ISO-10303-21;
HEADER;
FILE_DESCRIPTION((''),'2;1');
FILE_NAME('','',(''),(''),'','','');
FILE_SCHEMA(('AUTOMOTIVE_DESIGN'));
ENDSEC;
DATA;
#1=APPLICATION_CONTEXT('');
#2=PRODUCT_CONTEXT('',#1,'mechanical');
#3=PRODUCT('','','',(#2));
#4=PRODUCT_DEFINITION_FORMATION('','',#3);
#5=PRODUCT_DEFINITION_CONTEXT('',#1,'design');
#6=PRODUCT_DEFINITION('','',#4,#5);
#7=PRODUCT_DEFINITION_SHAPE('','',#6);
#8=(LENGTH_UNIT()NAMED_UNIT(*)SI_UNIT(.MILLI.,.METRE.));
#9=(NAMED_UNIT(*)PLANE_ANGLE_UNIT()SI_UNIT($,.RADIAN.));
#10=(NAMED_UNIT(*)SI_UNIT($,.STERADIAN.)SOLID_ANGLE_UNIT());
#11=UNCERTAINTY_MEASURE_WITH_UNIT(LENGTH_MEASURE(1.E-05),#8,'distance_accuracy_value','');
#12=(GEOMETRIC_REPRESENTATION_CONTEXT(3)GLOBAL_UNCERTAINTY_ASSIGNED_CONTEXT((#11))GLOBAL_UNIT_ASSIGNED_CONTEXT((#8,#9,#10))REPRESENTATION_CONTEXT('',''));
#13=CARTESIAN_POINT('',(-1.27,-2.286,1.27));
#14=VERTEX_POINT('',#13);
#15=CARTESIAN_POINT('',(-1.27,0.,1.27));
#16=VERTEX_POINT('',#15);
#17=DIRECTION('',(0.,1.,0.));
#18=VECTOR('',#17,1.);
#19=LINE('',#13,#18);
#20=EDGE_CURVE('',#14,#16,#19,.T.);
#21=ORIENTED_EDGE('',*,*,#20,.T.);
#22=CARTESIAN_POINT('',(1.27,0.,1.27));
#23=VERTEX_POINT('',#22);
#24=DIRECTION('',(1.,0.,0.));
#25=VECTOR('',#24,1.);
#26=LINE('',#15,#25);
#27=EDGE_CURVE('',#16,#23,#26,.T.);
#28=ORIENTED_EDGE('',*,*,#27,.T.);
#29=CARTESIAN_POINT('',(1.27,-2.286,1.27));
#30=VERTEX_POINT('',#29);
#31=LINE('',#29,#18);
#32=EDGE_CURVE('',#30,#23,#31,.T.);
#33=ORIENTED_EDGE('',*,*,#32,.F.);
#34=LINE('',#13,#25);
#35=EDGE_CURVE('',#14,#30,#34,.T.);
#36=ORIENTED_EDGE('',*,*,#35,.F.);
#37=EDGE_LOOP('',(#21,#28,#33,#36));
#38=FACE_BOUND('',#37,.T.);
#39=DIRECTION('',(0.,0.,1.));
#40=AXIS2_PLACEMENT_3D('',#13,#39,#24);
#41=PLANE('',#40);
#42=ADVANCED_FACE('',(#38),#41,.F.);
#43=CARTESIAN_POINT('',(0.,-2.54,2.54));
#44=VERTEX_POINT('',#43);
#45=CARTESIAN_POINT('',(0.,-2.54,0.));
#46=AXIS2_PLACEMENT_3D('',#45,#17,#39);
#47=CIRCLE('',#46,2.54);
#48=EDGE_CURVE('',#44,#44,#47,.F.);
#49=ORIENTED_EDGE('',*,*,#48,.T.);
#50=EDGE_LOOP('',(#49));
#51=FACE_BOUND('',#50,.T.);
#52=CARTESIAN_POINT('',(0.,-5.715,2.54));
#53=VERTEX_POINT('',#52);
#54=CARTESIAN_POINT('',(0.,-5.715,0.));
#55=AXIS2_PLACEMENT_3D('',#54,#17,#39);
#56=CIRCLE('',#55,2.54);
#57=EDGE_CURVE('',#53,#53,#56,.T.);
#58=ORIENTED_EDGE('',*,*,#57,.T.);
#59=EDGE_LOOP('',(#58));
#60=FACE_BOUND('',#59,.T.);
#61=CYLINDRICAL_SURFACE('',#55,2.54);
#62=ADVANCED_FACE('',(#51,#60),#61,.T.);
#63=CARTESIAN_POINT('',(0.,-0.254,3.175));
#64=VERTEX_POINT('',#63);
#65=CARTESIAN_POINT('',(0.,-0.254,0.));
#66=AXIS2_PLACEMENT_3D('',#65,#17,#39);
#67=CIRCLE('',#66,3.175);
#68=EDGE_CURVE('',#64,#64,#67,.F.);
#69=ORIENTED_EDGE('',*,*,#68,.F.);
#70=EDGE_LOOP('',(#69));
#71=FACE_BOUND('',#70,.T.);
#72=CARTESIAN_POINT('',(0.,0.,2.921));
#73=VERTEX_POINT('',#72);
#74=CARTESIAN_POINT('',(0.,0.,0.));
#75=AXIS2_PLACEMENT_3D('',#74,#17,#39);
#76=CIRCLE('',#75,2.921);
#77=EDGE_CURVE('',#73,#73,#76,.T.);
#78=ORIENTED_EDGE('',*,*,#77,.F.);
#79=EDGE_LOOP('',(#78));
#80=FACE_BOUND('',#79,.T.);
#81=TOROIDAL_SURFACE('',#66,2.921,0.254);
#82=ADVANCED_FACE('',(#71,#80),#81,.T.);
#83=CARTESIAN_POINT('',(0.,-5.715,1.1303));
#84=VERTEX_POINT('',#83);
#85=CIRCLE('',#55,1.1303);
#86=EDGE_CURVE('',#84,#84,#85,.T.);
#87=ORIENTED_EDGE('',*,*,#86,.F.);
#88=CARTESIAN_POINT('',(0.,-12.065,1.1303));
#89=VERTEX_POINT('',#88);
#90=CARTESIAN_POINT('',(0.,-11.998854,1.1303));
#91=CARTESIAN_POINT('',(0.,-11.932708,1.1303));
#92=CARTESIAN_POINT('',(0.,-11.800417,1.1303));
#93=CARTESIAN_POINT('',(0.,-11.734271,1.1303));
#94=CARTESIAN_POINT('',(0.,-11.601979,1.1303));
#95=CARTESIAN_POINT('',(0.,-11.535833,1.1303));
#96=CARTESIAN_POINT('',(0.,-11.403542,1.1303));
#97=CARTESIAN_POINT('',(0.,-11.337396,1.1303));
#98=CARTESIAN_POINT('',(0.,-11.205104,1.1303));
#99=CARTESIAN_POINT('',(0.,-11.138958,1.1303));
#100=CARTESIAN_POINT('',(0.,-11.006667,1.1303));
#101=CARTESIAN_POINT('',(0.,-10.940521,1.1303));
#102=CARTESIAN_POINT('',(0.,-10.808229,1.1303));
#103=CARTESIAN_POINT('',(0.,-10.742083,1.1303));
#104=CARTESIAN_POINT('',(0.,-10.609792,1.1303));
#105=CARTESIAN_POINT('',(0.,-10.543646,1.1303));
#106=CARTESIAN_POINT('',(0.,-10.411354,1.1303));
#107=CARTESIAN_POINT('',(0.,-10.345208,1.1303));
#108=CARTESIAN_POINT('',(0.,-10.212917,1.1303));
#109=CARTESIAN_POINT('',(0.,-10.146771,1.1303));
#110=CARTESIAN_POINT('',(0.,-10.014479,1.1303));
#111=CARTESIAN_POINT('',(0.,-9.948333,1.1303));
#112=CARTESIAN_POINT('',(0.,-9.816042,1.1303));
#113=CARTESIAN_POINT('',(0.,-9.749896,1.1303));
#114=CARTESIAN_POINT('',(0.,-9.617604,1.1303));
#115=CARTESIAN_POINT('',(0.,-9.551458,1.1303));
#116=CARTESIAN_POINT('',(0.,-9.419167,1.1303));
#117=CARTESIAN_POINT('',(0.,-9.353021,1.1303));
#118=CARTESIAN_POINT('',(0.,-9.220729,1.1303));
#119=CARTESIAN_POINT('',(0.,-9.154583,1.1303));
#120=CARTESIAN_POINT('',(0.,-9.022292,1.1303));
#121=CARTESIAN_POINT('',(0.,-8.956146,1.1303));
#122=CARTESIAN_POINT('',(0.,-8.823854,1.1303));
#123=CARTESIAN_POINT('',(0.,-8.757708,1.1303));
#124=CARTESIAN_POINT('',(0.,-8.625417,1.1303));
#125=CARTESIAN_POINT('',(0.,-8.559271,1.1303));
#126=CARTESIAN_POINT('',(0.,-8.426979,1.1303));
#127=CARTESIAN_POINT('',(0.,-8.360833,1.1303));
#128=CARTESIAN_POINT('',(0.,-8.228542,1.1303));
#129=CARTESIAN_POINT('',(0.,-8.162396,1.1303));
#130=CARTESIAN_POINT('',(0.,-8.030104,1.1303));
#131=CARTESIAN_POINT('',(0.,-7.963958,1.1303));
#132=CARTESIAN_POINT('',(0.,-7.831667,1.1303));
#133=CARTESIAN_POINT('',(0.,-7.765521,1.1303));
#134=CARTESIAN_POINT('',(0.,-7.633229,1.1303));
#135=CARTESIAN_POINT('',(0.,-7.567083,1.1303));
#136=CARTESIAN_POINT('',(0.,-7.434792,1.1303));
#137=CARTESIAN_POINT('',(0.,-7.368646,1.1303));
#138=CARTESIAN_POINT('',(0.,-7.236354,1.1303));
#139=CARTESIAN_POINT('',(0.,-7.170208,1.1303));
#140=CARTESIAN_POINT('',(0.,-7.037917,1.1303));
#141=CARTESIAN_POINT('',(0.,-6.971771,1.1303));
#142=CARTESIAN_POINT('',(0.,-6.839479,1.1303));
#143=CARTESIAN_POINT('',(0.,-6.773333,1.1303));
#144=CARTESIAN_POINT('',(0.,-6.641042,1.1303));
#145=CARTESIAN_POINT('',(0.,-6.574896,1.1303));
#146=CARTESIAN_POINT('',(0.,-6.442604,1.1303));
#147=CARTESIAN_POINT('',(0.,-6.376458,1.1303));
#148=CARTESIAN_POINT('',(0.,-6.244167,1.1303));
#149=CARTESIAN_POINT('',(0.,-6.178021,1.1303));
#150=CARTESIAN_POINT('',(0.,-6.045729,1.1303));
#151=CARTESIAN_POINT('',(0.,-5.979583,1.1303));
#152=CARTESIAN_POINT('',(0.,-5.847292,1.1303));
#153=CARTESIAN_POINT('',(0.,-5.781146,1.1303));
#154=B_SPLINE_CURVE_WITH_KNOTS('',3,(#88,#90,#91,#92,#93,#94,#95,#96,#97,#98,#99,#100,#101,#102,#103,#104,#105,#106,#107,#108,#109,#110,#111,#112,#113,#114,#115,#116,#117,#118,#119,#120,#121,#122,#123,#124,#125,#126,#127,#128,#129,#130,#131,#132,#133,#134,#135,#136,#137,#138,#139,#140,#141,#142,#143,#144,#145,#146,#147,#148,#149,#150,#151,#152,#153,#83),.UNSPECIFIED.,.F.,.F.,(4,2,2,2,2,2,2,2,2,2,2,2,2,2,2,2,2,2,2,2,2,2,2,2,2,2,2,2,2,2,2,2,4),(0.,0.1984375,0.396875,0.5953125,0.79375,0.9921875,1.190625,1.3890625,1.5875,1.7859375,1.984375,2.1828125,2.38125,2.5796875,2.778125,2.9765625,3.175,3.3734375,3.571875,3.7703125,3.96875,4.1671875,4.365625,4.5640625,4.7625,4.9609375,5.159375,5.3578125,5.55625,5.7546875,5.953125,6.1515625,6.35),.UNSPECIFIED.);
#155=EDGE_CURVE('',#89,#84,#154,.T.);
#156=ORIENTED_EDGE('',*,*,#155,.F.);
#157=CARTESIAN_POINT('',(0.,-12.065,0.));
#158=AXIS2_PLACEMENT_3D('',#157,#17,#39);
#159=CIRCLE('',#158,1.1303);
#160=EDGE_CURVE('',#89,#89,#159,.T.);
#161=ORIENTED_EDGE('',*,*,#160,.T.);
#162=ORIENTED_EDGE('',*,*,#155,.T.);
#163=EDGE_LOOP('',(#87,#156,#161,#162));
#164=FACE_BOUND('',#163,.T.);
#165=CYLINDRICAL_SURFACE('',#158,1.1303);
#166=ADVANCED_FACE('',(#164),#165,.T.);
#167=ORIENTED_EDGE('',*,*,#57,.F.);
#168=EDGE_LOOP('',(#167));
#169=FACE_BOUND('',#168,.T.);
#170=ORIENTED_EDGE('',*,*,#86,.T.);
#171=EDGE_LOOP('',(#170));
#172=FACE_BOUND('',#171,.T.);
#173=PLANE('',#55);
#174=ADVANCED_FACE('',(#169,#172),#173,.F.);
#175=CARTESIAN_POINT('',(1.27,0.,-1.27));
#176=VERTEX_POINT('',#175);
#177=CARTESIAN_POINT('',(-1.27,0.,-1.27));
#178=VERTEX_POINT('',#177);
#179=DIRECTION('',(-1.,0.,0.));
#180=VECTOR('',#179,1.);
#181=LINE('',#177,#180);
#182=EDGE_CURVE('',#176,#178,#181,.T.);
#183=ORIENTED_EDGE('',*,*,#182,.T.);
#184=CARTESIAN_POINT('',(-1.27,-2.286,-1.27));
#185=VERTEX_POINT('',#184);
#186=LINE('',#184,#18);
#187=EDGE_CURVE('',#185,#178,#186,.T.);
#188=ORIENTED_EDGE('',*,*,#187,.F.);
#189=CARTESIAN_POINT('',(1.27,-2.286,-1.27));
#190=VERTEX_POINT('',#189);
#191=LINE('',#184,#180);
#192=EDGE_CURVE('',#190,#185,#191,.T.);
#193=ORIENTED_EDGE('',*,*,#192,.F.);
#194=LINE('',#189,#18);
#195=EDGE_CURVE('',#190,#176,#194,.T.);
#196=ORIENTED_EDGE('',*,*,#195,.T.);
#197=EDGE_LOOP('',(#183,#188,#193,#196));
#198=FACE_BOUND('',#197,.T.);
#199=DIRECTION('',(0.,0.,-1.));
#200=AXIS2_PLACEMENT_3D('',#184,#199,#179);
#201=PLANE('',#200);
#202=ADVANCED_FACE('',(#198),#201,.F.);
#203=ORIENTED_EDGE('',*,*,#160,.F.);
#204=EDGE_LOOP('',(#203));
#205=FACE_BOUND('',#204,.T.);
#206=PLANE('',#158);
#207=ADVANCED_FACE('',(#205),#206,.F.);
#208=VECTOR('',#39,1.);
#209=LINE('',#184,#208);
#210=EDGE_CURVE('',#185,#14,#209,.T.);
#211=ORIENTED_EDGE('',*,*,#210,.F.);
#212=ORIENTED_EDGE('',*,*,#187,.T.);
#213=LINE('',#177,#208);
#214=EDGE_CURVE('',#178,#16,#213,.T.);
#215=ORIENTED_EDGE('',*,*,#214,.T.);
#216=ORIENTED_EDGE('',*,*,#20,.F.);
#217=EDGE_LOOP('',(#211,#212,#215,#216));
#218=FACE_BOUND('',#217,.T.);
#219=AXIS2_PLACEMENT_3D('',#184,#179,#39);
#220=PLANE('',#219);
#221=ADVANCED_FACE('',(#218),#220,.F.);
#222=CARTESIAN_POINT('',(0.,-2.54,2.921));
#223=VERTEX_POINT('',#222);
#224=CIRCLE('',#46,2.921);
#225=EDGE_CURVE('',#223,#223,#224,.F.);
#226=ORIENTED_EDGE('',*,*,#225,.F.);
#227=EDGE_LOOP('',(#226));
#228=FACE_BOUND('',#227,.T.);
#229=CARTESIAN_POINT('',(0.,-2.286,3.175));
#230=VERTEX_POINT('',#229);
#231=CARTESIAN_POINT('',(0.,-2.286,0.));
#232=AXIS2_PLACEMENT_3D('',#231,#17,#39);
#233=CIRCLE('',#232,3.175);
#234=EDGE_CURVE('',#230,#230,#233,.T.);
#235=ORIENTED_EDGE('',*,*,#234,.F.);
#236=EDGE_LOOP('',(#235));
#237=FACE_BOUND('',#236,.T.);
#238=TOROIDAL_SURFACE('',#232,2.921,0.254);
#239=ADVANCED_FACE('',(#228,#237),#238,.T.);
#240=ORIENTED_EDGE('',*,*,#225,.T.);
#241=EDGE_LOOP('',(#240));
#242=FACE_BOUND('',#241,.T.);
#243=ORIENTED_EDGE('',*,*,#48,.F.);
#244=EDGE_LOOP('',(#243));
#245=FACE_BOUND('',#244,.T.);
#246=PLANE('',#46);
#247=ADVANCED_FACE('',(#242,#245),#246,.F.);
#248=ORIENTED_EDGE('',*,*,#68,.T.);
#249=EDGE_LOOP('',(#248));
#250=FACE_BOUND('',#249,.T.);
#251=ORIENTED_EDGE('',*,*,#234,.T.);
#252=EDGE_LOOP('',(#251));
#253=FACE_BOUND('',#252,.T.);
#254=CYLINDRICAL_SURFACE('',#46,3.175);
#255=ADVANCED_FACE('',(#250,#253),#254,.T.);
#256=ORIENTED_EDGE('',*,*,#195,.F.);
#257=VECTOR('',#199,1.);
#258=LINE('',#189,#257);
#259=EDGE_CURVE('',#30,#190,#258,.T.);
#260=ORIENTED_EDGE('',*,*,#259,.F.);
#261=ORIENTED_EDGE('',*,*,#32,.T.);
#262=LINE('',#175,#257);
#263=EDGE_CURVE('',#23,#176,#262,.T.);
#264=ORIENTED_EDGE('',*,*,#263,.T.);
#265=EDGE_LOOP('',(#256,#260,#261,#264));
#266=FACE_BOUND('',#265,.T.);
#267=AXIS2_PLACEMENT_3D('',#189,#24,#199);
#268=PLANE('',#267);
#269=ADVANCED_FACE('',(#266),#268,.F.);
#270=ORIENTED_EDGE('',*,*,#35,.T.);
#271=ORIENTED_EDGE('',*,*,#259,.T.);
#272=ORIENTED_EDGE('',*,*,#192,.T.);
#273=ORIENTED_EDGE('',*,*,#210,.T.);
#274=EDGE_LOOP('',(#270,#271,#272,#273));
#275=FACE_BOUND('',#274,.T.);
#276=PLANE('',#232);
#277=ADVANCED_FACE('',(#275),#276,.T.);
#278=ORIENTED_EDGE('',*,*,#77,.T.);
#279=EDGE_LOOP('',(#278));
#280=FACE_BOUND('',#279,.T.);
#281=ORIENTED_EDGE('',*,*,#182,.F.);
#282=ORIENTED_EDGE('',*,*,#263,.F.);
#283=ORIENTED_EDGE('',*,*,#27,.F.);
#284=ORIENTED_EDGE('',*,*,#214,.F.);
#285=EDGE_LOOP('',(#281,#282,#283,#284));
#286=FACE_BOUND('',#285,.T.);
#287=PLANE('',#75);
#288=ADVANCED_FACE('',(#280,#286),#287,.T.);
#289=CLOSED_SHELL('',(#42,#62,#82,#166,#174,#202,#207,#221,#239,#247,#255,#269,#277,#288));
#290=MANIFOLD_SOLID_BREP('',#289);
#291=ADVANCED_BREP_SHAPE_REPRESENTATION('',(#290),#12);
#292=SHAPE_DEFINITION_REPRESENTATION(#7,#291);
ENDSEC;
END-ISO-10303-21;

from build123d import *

# Parameters (mm, degrees)
SKETCH1_R           = 2.54
BOSS_EXTRUDE1_DEPTH = 5.715
SKETCH2_R           = 1.1303
BOSS_EXTRUDE2_DEPTH = 12.065
SKETCH4_R           = 3.175
BOSS_EXTRUDE3_DEPTH = 2.54
SKETCH3_W           = 2.54
SKETCH3_H           = 2.54
CUT_EXTRUDE1_DEPTH  = 2.286
FILLET1_R           = 0.254


with BuildPart() as part:
    # Sketch1 → Boss-Extrude1 (new body)
    with BuildSketch(Plane(origin=(0, 0, 0), x_dir=(1, 0, 0), z_dir=(0, 1, 0))):
        with Locations(Location((0, 0, 0), (0, 0, 270))):
            Circle(SKETCH1_R)
    extrude(amount=-BOSS_EXTRUDE1_DEPTH)

    # Sketch2 → Boss-Extrude2 (add)
    with BuildSketch(Plane(origin=(0, 0, 0), x_dir=(1, 0, 0), z_dir=(0, 1, 0))):
        with Locations(Location((0, 0, 0), (0, 0, 270))):
            Circle(SKETCH2_R)
    extrude(amount=-BOSS_EXTRUDE2_DEPTH)

    # Sketch4 → Boss-Extrude3 (add)
    with BuildSketch(Plane(origin=(0, 0, 0), x_dir=(1, 0, 0), z_dir=(0, 1, 0))):
        with Locations(Location((0, 0, 0), (0, 0, 270))):
            Circle(SKETCH4_R)
    extrude(amount=-BOSS_EXTRUDE3_DEPTH)

    # Sketch3 → Cut-Extrude1 (cut)
    with BuildSketch(Plane(origin=(0, 0, 0), x_dir=(1, 0, 0), z_dir=(0, 1, 0))):
        Rectangle(SKETCH3_W, SKETCH3_H)
    extrude(amount=-CUT_EXTRUDE1_DEPTH, mode=Mode.SUBTRACT)

    # Fillet1
    fillet1_edges = [part.edges().sort_by_distance(p)[0] for p in [
        (0, -2.54, -3.175),
        (0, 0, -3.175),
    ]]
    fillet(fillet1_edges, radius=FILLET1_R)


solid = part.part
